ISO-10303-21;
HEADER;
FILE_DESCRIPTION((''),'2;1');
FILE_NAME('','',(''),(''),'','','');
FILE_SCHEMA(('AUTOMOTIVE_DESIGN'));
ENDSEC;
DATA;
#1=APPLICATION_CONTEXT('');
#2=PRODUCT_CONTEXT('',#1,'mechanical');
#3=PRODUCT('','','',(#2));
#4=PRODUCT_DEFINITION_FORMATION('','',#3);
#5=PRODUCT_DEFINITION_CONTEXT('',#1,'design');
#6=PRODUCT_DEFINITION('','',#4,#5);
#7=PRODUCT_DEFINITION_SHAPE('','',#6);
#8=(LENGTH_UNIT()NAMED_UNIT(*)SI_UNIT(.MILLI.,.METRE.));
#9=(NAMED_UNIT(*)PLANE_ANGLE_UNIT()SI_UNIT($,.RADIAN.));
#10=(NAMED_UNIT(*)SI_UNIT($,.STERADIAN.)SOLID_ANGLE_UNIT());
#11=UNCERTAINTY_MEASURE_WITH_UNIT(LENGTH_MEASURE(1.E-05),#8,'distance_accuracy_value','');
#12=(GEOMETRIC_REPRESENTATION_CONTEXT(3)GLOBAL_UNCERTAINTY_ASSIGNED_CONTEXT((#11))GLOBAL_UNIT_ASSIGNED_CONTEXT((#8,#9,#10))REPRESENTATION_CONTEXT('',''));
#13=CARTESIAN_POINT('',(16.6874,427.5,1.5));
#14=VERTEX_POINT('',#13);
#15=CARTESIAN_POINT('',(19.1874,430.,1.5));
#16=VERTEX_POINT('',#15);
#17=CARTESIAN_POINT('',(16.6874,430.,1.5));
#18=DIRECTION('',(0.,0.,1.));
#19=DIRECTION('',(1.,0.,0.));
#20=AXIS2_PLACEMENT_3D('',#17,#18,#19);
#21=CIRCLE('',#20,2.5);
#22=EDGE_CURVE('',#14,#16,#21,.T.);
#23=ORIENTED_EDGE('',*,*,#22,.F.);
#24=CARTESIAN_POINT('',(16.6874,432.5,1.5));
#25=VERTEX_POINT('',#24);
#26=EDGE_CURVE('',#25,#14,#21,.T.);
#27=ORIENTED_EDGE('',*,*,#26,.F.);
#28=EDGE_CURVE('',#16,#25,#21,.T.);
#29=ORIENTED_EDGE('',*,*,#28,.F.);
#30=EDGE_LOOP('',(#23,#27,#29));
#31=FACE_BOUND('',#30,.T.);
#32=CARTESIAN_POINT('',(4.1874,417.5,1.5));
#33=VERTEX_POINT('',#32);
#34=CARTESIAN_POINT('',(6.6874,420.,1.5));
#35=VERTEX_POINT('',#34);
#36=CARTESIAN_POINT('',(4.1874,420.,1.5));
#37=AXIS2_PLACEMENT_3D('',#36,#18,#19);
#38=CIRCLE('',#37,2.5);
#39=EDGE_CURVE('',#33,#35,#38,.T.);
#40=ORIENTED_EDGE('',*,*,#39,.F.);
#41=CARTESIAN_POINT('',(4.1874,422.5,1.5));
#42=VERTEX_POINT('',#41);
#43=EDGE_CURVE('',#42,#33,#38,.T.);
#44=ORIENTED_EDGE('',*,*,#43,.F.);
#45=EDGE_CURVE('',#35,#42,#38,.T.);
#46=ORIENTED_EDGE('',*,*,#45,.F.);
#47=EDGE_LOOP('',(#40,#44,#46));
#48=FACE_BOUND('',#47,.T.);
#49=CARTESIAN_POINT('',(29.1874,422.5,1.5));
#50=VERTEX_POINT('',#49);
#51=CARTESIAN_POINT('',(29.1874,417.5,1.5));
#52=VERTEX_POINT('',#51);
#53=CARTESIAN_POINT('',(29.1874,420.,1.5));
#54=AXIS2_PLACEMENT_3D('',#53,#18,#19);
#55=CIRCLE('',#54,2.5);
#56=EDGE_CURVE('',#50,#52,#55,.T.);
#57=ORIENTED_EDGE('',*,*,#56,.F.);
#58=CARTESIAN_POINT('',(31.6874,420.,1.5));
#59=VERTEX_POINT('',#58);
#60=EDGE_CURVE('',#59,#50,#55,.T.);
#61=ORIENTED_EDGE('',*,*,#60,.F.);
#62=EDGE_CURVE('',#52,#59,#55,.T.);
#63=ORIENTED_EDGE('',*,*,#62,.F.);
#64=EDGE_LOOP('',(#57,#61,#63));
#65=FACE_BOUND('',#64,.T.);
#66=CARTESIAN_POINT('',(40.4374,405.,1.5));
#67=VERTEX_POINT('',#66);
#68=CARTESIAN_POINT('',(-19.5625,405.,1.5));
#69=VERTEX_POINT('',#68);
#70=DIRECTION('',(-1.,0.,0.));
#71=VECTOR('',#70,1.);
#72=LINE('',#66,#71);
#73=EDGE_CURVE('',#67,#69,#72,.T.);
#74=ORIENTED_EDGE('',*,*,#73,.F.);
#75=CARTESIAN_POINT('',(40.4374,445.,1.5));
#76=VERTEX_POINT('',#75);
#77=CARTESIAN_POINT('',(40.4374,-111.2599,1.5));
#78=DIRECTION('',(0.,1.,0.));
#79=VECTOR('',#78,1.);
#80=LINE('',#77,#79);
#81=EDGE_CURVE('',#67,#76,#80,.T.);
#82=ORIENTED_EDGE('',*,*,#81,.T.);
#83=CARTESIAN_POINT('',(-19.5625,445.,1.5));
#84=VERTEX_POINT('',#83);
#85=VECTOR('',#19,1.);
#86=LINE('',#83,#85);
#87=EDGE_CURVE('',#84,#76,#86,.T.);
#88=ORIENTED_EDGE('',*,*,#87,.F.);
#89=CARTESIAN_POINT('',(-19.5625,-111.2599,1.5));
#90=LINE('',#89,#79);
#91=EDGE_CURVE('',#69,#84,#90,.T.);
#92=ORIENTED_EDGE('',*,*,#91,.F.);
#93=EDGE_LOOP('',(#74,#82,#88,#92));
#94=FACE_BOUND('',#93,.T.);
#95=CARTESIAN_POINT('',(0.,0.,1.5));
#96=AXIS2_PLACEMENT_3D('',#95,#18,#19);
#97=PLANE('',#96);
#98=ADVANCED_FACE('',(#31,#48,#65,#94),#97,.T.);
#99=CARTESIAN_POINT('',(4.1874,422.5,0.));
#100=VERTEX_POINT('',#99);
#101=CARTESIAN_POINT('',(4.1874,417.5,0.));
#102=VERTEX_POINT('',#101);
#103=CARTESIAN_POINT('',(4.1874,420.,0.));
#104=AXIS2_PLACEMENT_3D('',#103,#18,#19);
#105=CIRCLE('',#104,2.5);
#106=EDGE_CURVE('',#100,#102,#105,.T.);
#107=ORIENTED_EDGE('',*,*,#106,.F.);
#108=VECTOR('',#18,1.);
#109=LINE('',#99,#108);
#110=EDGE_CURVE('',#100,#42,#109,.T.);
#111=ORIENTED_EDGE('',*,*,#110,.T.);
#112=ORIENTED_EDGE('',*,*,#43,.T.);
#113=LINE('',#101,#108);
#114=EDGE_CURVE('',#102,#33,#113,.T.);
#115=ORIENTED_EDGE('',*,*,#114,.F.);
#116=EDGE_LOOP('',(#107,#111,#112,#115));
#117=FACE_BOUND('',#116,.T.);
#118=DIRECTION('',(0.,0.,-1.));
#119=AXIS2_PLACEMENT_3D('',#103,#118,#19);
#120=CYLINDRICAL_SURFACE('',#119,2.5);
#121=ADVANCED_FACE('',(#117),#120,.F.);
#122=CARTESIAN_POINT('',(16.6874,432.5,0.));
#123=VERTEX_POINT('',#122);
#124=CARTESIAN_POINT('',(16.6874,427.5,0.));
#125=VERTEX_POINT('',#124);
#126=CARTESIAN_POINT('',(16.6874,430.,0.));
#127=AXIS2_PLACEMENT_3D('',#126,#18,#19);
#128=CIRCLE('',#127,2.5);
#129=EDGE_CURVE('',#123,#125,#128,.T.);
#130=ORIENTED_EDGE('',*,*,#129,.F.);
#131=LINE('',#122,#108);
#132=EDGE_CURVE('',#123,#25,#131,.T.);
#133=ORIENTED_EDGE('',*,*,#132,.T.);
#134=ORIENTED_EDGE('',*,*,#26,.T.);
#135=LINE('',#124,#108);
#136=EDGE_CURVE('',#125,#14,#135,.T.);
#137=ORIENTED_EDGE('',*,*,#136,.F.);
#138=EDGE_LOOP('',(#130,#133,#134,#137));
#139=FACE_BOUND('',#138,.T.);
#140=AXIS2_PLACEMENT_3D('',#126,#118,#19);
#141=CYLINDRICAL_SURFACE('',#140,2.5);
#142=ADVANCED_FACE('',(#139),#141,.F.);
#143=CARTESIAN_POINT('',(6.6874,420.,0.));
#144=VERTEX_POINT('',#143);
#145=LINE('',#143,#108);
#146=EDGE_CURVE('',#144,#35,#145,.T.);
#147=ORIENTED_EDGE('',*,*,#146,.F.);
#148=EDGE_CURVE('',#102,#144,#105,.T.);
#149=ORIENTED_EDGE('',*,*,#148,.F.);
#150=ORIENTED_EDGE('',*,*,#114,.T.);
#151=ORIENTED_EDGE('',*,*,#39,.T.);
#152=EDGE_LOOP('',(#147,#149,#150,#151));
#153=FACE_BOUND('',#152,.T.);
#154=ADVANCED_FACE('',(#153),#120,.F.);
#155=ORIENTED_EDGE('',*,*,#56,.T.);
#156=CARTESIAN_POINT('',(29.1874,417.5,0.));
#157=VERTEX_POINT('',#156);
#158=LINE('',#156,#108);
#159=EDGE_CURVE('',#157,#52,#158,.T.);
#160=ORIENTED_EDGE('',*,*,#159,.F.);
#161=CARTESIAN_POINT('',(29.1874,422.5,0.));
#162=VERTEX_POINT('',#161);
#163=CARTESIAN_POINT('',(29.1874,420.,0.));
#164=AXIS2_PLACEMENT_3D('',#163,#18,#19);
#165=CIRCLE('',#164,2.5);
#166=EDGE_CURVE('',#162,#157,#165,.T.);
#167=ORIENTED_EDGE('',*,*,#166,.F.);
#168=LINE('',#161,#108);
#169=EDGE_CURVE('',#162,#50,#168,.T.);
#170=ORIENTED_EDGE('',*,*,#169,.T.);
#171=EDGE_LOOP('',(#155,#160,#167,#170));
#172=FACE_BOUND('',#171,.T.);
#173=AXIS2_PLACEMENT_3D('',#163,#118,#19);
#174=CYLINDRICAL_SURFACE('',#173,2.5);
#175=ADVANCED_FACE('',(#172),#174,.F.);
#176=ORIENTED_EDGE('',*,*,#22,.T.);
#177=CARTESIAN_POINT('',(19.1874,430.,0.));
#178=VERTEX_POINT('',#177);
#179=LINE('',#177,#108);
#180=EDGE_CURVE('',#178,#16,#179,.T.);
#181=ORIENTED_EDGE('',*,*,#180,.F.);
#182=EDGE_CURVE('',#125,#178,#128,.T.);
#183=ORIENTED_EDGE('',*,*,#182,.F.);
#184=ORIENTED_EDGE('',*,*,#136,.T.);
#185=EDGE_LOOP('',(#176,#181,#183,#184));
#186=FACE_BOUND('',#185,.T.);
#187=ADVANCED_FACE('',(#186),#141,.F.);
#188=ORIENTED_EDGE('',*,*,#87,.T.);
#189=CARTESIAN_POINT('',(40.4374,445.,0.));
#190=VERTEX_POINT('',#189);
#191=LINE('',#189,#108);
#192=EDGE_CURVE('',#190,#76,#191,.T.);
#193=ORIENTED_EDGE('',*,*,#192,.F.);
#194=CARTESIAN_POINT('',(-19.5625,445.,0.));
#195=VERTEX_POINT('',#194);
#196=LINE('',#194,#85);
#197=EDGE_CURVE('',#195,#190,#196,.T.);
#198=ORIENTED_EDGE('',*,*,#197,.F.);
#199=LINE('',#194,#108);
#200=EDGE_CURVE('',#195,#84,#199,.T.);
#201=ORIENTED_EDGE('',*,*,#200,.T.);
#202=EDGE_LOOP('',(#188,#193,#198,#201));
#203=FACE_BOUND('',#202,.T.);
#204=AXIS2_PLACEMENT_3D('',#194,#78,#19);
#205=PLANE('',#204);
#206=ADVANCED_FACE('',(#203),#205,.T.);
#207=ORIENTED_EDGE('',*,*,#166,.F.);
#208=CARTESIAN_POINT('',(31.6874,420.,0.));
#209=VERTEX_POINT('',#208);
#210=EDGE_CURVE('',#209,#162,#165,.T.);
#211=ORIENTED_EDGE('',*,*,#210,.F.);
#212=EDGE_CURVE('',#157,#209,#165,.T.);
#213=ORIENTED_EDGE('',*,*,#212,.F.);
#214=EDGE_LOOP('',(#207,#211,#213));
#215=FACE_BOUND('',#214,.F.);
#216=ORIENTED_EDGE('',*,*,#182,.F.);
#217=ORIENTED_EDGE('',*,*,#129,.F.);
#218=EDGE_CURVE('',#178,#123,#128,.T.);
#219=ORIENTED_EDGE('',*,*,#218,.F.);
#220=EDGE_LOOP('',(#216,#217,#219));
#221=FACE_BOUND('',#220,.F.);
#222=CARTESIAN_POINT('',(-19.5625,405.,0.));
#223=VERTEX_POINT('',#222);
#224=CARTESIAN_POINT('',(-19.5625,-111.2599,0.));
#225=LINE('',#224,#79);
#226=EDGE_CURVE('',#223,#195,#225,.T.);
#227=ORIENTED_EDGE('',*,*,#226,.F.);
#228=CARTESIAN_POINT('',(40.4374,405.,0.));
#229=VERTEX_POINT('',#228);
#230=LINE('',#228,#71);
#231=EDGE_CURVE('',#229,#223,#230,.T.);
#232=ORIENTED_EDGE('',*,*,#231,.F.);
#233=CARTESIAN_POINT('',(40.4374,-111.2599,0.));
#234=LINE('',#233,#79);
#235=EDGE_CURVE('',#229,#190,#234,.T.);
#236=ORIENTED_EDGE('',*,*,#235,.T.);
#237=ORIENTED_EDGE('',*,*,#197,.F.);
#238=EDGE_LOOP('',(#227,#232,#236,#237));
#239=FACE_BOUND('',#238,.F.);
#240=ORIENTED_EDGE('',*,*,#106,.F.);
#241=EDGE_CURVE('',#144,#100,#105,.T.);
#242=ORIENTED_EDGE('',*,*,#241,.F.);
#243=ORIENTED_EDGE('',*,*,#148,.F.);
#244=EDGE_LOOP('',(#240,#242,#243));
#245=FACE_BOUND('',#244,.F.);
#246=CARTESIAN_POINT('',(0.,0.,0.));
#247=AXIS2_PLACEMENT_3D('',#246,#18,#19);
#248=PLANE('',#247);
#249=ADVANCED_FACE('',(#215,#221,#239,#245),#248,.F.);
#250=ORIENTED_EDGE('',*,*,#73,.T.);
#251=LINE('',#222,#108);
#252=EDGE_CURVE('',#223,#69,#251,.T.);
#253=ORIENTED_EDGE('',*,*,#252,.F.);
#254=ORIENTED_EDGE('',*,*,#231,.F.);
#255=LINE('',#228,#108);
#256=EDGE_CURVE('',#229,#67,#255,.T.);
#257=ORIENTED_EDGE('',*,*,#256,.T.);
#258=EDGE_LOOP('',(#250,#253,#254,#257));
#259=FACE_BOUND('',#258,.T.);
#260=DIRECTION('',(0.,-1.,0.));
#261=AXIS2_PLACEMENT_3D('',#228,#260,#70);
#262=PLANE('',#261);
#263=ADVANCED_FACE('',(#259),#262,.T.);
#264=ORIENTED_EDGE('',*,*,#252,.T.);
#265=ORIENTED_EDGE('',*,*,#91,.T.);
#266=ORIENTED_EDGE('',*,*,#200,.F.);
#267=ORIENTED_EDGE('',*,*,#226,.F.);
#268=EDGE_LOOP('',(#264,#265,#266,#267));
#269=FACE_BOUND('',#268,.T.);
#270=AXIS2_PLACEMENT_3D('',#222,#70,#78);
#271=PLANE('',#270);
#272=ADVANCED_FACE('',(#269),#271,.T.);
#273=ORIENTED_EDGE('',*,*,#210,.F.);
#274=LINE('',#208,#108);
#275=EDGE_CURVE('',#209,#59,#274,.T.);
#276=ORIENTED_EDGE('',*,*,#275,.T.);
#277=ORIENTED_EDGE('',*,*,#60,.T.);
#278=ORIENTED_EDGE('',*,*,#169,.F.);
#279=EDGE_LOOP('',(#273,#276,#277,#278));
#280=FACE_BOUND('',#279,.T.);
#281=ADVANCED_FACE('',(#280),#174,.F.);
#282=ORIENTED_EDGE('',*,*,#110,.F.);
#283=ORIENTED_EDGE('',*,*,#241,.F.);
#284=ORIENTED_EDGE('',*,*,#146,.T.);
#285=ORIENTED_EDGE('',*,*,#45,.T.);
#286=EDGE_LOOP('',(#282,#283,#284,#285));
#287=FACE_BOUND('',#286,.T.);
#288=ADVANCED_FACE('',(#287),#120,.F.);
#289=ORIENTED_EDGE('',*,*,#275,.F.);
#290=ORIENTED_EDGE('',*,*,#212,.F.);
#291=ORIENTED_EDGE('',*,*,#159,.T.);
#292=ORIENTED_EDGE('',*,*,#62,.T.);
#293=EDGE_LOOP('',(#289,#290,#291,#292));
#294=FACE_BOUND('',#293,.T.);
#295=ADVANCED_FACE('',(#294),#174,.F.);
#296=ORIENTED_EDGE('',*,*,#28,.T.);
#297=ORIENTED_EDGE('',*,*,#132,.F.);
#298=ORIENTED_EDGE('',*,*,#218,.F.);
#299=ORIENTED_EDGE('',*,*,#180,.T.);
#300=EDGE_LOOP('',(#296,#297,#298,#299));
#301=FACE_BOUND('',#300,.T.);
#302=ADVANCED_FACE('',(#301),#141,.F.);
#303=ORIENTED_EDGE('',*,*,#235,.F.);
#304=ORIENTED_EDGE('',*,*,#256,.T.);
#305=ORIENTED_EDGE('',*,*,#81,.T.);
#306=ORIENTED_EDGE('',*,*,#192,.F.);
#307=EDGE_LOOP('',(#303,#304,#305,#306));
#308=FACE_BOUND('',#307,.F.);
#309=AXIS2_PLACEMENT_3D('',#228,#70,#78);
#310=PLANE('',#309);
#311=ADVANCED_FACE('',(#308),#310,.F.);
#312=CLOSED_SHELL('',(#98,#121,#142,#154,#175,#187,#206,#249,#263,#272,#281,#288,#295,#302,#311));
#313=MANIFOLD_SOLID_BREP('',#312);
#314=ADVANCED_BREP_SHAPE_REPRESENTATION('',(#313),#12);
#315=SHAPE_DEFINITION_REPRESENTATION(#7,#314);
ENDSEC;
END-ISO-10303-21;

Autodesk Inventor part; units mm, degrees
ref_plane "YZ Plane" through (0, 0, 0) normal (1, 0, 0) x (0, 1, 0)
ref_plane "XZ Plane" through (0, 0, 0) normal (0, 1, 0) x (-1, 0, 0)
ref_plane "XY Plane" through (0, 0, 0) normal (0, 0, 1) x (1, 0, 0)
sketch "Sketch1" plane through (0, 0, 0) normal (0, 0, 1) x (1, 0, 0)
  line L0 (-19.5625, -111.2599) -> (-19.5625, 1344.9999)
  line L1 (40.4374, -111.2599) -> (40.4374, 1344.9999)
  line L2 (14.1874, 432.5) -> (19.1874, 432.5)
  line L3 (19.1874, 427.5) -> (14.1874, 427.5)
  line L4 (26.6874, 422.5) -> (31.6874, 422.5)
  line L5 (31.6874, 417.5) -> (26.6874, 417.5)
  line L6 (1.6874, 422.5) -> (6.6874, 422.5)
  line L7 (6.6874, 417.5) -> (1.6874, 417.5)
  line L8 (4.1874, 417.5) -> (4.1874, 422.5) construction
  line L9 (16.6874, 427.5) -> (16.6874, 432.5) construction
  line L10 (29.1874, 417.5) -> (29.1874, 422.5) construction
  circle A0 centre (4.1874, 420) radius 2.5
  circle A1 centre (16.6874, 430) radius 2.5
  circle A2 centre (29.1874, 420) radius 2.5
  line L11 (40.4374, 405) -> (-19.5625, 405)
  line L12 (-19.5625, 405) -> (-19.5625, 445)
  line L13 (-19.5625, 445) -> (40.4374, 445)
  line L14 (40.4374, 445) -> (40.4374, 405)
  point P0 (0, 0)
  dimension "d0" = 15
  dimension "d1" = 15
extrude "Plate1" add sketch "Sketch1" along normal blind 1.5
equation "\"BendRadius\" = Thickness"
equation "\"BendReliefWidth\" = Thickness"
equation "\"BendReliefDepth\" = 0.5 * Thickness"
equation "\"CornerReliefSize\" = 4 * Thickness"
equation "\"MinimumRemnant\" = 2 * Thickness"
equation "\"TransitionRadius\" = BendRadius"
equation "\"JacobiRadiusSize\" = BendRadius"
equation "\"GapSize\" = Thickness"
equation "\"d2\" = BendRadius"
equation "\"Thickness\" = 1.5"
properties part number "gabarito-porta-cabos" material "Wood (Oak)"
